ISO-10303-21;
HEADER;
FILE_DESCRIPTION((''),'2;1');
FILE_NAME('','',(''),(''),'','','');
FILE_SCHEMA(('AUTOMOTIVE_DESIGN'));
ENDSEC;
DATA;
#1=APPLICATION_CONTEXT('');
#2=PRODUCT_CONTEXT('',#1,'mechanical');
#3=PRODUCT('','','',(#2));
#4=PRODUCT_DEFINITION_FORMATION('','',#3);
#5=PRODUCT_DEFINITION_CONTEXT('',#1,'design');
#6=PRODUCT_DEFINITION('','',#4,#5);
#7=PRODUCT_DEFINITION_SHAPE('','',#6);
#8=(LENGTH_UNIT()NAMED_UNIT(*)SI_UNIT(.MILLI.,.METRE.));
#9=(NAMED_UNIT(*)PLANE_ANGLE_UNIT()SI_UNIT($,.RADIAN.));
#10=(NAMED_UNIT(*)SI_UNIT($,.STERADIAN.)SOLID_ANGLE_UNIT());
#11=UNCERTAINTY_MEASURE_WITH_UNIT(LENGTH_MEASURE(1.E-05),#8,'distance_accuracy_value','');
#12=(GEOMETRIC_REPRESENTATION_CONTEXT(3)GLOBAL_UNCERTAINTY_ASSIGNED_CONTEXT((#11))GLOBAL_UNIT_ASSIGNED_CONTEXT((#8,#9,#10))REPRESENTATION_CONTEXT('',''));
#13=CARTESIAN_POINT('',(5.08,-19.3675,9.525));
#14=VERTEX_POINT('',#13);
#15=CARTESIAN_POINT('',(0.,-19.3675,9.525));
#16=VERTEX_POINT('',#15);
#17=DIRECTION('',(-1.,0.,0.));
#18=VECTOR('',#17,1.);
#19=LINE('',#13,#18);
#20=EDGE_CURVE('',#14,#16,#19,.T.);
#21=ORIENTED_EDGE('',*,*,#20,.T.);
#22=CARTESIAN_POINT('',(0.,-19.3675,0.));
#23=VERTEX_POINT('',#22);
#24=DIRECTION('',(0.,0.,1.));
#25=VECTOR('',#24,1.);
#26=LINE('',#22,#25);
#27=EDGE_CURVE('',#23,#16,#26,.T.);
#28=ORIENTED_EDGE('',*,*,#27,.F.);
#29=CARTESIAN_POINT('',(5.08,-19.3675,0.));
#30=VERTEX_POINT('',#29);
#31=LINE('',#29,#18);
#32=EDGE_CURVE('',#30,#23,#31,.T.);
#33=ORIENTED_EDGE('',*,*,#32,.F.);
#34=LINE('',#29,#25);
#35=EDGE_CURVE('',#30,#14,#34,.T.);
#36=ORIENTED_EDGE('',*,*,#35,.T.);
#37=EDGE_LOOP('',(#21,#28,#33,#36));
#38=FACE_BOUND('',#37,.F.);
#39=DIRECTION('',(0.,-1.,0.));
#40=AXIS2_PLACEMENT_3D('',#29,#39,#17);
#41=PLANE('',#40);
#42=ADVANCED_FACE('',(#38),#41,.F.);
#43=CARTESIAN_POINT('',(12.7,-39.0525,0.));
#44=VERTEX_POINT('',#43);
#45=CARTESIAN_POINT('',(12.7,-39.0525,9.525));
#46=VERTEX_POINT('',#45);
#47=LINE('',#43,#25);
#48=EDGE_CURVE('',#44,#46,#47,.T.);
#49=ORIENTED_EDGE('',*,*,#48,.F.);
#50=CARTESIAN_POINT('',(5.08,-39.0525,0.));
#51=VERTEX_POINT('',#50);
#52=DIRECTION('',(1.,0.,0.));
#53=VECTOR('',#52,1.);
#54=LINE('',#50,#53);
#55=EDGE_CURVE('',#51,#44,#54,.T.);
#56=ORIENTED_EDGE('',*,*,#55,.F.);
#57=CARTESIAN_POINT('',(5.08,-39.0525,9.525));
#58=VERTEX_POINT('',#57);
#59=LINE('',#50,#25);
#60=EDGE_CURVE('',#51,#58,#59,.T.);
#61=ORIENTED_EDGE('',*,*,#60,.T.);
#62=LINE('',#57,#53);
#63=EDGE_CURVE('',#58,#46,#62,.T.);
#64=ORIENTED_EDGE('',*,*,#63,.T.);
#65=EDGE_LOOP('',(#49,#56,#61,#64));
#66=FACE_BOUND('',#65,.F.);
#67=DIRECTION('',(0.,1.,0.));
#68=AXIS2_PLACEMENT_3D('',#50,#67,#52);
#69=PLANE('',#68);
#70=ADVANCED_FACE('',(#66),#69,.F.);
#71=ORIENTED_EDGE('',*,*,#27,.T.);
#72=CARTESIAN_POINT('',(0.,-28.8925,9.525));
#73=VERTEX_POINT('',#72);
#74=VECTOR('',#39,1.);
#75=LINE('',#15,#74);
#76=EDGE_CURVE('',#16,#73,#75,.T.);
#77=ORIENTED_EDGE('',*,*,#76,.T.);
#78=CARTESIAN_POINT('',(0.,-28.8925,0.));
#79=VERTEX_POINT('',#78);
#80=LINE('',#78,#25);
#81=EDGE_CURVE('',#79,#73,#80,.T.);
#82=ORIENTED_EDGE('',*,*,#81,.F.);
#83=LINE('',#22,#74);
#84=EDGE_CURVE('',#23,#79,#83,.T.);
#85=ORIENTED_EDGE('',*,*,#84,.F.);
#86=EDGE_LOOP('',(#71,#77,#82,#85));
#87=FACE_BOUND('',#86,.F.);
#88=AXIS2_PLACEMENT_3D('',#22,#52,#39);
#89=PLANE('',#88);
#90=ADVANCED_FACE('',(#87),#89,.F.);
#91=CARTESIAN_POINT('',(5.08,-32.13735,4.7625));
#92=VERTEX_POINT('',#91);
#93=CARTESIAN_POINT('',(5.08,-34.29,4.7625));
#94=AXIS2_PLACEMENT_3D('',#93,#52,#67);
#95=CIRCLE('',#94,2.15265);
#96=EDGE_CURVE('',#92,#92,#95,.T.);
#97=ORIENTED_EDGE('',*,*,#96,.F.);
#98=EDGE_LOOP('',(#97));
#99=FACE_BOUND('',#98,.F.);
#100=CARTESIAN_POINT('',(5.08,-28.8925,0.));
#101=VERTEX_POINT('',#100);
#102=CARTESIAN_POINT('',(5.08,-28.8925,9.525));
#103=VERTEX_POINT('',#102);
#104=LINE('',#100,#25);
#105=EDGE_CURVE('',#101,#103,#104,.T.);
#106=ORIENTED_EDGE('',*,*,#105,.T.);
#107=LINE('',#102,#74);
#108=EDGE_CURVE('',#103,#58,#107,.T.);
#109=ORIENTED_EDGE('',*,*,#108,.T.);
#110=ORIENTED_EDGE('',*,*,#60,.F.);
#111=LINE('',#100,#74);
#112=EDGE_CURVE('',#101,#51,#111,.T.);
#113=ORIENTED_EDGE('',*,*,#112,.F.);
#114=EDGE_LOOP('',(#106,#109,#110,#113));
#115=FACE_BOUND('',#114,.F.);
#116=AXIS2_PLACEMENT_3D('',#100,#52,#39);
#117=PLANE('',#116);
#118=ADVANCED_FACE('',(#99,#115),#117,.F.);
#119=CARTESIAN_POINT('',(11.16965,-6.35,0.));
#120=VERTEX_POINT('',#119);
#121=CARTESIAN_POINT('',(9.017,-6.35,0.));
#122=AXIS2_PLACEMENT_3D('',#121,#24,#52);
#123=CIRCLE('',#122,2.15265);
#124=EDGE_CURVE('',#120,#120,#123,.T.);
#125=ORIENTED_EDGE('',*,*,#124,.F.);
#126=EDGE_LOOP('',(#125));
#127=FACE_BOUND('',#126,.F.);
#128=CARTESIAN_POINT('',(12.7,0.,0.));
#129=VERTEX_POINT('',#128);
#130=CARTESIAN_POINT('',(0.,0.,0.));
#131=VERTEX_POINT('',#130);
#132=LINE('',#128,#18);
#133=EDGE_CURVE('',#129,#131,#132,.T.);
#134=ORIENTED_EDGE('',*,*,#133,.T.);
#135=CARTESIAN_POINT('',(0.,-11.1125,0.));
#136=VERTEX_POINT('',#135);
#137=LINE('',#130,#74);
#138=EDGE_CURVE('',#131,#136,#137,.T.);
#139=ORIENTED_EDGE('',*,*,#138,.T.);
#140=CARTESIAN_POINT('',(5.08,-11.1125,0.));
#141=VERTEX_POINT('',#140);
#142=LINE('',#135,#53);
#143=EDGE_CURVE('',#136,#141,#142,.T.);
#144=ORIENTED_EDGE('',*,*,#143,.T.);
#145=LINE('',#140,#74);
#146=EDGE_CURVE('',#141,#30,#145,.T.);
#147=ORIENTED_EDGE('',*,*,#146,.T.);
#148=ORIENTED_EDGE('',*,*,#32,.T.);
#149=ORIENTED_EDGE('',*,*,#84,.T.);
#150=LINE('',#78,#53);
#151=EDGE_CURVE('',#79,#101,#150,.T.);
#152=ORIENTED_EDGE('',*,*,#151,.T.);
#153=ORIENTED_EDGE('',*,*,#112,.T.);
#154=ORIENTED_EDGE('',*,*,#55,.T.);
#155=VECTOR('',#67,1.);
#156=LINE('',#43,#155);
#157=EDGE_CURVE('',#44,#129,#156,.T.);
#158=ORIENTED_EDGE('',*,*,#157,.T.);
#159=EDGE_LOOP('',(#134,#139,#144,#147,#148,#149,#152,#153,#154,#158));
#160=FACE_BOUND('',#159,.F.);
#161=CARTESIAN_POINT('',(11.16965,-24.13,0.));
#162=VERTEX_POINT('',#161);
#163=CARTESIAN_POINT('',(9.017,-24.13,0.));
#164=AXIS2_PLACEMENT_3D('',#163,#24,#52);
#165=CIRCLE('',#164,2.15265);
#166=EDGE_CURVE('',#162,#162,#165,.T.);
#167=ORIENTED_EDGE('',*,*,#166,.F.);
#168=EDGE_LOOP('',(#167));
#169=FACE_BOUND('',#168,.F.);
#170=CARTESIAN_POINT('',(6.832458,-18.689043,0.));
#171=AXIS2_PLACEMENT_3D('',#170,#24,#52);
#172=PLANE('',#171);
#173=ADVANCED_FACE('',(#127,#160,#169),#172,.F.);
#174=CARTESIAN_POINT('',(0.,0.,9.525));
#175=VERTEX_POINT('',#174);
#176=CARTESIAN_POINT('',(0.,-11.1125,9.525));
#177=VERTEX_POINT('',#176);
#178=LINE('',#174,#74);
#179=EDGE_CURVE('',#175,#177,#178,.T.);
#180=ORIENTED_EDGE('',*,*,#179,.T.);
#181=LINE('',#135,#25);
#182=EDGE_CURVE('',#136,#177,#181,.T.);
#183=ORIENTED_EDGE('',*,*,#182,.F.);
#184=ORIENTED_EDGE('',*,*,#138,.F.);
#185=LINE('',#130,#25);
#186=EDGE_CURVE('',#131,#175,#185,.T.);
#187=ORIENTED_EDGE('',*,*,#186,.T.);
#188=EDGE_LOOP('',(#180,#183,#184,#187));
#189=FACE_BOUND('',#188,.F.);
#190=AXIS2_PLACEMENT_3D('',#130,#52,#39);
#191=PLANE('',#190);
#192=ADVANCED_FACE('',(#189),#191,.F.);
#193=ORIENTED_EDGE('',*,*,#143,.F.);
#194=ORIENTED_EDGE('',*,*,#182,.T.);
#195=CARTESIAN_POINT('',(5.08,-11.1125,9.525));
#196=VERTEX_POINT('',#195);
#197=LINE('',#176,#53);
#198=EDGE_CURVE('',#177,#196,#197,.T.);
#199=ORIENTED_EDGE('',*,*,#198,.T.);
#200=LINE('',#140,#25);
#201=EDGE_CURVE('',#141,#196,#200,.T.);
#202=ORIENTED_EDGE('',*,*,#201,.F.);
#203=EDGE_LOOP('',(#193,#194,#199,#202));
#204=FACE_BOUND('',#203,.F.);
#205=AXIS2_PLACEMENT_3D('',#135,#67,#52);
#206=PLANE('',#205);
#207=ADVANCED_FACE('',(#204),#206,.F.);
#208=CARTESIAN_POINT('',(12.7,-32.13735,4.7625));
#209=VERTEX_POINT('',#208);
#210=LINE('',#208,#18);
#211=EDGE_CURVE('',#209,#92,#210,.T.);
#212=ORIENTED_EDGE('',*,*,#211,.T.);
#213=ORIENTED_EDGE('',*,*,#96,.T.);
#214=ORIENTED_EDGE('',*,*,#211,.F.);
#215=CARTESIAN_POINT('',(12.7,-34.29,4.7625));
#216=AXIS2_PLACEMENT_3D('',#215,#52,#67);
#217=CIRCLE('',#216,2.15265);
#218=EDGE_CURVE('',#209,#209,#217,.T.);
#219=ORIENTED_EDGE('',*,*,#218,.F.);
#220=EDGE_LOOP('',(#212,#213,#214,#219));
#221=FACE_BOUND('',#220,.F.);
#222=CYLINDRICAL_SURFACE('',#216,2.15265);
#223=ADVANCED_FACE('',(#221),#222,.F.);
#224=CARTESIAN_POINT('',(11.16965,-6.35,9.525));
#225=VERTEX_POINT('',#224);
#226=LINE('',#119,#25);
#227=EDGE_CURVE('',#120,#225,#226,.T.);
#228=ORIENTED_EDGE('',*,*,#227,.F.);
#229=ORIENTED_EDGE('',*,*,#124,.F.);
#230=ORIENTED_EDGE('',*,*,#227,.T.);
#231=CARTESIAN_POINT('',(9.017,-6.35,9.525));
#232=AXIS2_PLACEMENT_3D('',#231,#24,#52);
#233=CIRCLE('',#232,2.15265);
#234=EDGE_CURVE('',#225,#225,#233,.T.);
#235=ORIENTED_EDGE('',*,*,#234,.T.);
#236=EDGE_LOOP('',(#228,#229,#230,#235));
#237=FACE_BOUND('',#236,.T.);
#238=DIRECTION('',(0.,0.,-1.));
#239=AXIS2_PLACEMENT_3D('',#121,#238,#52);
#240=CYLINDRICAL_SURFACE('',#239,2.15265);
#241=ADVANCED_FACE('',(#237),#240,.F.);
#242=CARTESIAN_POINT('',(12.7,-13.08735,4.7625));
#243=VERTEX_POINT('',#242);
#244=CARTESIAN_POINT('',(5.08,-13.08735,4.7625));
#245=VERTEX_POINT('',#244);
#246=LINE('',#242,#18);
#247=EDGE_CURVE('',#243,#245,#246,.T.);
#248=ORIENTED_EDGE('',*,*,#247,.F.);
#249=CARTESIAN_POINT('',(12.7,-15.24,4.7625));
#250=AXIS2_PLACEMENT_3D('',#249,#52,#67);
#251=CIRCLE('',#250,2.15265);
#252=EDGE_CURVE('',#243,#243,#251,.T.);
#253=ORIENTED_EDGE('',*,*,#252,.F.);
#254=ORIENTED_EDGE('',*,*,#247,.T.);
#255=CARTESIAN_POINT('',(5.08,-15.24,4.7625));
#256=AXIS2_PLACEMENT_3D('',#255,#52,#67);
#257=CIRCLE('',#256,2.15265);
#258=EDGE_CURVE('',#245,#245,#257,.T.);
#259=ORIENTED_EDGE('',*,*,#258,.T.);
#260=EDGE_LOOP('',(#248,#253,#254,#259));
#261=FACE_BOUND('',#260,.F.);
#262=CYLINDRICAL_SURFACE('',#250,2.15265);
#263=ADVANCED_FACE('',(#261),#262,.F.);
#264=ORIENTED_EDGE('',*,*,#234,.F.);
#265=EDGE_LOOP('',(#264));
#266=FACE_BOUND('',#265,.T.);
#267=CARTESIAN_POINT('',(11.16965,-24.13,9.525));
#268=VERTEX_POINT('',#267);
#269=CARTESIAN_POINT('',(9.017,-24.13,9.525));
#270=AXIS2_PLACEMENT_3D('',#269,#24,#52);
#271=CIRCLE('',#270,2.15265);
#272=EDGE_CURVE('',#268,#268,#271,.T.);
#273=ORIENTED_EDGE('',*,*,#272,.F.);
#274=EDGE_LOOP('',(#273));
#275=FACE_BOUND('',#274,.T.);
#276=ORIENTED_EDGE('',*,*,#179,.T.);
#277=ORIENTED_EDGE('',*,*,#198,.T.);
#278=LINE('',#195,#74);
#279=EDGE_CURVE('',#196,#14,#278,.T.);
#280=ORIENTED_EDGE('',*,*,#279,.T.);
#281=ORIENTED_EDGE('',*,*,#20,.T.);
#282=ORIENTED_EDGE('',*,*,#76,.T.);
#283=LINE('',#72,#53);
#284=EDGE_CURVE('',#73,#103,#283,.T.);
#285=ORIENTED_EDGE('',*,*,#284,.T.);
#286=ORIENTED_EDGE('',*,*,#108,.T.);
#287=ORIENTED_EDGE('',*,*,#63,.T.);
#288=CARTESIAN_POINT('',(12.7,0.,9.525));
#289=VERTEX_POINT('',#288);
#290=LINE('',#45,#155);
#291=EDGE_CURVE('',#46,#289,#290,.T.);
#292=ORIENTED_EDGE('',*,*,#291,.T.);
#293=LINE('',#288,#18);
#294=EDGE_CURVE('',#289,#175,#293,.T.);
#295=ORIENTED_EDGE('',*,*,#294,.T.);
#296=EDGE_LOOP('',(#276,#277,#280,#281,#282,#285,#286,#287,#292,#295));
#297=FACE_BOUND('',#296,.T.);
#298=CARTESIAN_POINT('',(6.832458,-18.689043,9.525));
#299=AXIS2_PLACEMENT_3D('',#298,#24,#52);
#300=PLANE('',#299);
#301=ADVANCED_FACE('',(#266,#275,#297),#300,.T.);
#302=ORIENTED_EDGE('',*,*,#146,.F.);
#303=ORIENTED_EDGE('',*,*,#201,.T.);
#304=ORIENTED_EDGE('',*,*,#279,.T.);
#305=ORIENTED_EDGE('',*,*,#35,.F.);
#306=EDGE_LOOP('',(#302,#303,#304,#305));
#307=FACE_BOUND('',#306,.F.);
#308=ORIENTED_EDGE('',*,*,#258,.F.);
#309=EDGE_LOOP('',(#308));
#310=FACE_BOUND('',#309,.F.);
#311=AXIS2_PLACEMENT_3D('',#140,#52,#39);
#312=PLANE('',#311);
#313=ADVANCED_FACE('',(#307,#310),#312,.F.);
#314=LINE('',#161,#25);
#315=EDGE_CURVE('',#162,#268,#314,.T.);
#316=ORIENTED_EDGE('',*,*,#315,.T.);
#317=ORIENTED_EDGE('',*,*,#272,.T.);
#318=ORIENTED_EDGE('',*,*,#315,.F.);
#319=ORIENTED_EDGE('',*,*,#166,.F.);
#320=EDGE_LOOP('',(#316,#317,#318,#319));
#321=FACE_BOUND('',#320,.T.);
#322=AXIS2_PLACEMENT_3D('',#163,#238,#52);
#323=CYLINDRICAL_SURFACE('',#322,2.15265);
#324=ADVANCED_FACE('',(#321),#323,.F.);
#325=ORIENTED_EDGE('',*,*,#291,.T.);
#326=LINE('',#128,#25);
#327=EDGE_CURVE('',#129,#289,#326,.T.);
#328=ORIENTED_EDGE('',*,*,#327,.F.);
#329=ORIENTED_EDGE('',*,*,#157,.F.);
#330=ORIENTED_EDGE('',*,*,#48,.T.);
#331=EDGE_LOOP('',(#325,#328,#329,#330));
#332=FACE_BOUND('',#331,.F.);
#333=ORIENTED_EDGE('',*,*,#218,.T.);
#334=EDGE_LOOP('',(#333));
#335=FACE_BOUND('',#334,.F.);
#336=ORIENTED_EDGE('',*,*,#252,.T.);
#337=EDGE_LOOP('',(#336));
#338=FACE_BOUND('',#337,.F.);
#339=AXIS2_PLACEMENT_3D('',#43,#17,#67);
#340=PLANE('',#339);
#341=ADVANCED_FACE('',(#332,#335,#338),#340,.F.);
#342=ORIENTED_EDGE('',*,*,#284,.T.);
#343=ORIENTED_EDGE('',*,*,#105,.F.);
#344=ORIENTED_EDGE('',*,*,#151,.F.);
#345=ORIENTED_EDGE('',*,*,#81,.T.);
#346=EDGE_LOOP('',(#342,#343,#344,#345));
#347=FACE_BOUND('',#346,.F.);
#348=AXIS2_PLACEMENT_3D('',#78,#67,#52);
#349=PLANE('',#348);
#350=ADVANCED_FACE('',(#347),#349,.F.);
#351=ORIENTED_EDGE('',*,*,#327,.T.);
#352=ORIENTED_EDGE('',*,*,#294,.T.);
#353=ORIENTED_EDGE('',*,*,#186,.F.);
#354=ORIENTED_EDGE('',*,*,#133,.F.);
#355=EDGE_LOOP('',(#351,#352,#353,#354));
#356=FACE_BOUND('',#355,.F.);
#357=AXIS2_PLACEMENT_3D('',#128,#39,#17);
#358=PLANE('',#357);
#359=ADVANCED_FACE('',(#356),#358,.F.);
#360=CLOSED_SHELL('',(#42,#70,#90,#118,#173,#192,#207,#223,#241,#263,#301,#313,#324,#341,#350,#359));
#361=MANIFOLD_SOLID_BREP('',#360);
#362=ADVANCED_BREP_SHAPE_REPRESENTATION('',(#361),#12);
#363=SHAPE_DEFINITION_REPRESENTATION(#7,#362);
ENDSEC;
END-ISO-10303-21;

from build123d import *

# Parameters (mm, degrees)
F0_R     = 2.15265
F1_DEPTH = 9.525
F2_R     = 2.15265
F3_DEPTH = 12.7


with BuildPart() as f1:
    # F0 (on Top) → F1 (new body)
    with BuildSketch(Plane.XY):
        Polygon((12.7, 0), (0, 0), (0, -11.1125), (5.08, -11.1125), (5.08, -19.3675), (0, -19.3675), (0, -28.8925), (5.08, -28.8925), (5.08, -39.0525), (12.7, -39.0525), align=None)
        with Locations((9.017, -24.13)):
            Circle(F0_R, mode=Mode.SUBTRACT)
        with Locations((9.017, -6.35)):
            Circle(F0_R, mode=Mode.SUBTRACT)
    extrude(amount=F1_DEPTH)

    # F2 (on face) → F3 (cut, through all)
    with BuildSketch(Plane.YZ.offset(12.7)):
        with Locations((-34.29, 4.7625)):
            Circle(F2_R)
        with Locations((-15.24, 4.7625)):
            Circle(F2_R)
    extrude(amount=-F3_DEPTH, mode=Mode.SUBTRACT)


solid = f1.part
